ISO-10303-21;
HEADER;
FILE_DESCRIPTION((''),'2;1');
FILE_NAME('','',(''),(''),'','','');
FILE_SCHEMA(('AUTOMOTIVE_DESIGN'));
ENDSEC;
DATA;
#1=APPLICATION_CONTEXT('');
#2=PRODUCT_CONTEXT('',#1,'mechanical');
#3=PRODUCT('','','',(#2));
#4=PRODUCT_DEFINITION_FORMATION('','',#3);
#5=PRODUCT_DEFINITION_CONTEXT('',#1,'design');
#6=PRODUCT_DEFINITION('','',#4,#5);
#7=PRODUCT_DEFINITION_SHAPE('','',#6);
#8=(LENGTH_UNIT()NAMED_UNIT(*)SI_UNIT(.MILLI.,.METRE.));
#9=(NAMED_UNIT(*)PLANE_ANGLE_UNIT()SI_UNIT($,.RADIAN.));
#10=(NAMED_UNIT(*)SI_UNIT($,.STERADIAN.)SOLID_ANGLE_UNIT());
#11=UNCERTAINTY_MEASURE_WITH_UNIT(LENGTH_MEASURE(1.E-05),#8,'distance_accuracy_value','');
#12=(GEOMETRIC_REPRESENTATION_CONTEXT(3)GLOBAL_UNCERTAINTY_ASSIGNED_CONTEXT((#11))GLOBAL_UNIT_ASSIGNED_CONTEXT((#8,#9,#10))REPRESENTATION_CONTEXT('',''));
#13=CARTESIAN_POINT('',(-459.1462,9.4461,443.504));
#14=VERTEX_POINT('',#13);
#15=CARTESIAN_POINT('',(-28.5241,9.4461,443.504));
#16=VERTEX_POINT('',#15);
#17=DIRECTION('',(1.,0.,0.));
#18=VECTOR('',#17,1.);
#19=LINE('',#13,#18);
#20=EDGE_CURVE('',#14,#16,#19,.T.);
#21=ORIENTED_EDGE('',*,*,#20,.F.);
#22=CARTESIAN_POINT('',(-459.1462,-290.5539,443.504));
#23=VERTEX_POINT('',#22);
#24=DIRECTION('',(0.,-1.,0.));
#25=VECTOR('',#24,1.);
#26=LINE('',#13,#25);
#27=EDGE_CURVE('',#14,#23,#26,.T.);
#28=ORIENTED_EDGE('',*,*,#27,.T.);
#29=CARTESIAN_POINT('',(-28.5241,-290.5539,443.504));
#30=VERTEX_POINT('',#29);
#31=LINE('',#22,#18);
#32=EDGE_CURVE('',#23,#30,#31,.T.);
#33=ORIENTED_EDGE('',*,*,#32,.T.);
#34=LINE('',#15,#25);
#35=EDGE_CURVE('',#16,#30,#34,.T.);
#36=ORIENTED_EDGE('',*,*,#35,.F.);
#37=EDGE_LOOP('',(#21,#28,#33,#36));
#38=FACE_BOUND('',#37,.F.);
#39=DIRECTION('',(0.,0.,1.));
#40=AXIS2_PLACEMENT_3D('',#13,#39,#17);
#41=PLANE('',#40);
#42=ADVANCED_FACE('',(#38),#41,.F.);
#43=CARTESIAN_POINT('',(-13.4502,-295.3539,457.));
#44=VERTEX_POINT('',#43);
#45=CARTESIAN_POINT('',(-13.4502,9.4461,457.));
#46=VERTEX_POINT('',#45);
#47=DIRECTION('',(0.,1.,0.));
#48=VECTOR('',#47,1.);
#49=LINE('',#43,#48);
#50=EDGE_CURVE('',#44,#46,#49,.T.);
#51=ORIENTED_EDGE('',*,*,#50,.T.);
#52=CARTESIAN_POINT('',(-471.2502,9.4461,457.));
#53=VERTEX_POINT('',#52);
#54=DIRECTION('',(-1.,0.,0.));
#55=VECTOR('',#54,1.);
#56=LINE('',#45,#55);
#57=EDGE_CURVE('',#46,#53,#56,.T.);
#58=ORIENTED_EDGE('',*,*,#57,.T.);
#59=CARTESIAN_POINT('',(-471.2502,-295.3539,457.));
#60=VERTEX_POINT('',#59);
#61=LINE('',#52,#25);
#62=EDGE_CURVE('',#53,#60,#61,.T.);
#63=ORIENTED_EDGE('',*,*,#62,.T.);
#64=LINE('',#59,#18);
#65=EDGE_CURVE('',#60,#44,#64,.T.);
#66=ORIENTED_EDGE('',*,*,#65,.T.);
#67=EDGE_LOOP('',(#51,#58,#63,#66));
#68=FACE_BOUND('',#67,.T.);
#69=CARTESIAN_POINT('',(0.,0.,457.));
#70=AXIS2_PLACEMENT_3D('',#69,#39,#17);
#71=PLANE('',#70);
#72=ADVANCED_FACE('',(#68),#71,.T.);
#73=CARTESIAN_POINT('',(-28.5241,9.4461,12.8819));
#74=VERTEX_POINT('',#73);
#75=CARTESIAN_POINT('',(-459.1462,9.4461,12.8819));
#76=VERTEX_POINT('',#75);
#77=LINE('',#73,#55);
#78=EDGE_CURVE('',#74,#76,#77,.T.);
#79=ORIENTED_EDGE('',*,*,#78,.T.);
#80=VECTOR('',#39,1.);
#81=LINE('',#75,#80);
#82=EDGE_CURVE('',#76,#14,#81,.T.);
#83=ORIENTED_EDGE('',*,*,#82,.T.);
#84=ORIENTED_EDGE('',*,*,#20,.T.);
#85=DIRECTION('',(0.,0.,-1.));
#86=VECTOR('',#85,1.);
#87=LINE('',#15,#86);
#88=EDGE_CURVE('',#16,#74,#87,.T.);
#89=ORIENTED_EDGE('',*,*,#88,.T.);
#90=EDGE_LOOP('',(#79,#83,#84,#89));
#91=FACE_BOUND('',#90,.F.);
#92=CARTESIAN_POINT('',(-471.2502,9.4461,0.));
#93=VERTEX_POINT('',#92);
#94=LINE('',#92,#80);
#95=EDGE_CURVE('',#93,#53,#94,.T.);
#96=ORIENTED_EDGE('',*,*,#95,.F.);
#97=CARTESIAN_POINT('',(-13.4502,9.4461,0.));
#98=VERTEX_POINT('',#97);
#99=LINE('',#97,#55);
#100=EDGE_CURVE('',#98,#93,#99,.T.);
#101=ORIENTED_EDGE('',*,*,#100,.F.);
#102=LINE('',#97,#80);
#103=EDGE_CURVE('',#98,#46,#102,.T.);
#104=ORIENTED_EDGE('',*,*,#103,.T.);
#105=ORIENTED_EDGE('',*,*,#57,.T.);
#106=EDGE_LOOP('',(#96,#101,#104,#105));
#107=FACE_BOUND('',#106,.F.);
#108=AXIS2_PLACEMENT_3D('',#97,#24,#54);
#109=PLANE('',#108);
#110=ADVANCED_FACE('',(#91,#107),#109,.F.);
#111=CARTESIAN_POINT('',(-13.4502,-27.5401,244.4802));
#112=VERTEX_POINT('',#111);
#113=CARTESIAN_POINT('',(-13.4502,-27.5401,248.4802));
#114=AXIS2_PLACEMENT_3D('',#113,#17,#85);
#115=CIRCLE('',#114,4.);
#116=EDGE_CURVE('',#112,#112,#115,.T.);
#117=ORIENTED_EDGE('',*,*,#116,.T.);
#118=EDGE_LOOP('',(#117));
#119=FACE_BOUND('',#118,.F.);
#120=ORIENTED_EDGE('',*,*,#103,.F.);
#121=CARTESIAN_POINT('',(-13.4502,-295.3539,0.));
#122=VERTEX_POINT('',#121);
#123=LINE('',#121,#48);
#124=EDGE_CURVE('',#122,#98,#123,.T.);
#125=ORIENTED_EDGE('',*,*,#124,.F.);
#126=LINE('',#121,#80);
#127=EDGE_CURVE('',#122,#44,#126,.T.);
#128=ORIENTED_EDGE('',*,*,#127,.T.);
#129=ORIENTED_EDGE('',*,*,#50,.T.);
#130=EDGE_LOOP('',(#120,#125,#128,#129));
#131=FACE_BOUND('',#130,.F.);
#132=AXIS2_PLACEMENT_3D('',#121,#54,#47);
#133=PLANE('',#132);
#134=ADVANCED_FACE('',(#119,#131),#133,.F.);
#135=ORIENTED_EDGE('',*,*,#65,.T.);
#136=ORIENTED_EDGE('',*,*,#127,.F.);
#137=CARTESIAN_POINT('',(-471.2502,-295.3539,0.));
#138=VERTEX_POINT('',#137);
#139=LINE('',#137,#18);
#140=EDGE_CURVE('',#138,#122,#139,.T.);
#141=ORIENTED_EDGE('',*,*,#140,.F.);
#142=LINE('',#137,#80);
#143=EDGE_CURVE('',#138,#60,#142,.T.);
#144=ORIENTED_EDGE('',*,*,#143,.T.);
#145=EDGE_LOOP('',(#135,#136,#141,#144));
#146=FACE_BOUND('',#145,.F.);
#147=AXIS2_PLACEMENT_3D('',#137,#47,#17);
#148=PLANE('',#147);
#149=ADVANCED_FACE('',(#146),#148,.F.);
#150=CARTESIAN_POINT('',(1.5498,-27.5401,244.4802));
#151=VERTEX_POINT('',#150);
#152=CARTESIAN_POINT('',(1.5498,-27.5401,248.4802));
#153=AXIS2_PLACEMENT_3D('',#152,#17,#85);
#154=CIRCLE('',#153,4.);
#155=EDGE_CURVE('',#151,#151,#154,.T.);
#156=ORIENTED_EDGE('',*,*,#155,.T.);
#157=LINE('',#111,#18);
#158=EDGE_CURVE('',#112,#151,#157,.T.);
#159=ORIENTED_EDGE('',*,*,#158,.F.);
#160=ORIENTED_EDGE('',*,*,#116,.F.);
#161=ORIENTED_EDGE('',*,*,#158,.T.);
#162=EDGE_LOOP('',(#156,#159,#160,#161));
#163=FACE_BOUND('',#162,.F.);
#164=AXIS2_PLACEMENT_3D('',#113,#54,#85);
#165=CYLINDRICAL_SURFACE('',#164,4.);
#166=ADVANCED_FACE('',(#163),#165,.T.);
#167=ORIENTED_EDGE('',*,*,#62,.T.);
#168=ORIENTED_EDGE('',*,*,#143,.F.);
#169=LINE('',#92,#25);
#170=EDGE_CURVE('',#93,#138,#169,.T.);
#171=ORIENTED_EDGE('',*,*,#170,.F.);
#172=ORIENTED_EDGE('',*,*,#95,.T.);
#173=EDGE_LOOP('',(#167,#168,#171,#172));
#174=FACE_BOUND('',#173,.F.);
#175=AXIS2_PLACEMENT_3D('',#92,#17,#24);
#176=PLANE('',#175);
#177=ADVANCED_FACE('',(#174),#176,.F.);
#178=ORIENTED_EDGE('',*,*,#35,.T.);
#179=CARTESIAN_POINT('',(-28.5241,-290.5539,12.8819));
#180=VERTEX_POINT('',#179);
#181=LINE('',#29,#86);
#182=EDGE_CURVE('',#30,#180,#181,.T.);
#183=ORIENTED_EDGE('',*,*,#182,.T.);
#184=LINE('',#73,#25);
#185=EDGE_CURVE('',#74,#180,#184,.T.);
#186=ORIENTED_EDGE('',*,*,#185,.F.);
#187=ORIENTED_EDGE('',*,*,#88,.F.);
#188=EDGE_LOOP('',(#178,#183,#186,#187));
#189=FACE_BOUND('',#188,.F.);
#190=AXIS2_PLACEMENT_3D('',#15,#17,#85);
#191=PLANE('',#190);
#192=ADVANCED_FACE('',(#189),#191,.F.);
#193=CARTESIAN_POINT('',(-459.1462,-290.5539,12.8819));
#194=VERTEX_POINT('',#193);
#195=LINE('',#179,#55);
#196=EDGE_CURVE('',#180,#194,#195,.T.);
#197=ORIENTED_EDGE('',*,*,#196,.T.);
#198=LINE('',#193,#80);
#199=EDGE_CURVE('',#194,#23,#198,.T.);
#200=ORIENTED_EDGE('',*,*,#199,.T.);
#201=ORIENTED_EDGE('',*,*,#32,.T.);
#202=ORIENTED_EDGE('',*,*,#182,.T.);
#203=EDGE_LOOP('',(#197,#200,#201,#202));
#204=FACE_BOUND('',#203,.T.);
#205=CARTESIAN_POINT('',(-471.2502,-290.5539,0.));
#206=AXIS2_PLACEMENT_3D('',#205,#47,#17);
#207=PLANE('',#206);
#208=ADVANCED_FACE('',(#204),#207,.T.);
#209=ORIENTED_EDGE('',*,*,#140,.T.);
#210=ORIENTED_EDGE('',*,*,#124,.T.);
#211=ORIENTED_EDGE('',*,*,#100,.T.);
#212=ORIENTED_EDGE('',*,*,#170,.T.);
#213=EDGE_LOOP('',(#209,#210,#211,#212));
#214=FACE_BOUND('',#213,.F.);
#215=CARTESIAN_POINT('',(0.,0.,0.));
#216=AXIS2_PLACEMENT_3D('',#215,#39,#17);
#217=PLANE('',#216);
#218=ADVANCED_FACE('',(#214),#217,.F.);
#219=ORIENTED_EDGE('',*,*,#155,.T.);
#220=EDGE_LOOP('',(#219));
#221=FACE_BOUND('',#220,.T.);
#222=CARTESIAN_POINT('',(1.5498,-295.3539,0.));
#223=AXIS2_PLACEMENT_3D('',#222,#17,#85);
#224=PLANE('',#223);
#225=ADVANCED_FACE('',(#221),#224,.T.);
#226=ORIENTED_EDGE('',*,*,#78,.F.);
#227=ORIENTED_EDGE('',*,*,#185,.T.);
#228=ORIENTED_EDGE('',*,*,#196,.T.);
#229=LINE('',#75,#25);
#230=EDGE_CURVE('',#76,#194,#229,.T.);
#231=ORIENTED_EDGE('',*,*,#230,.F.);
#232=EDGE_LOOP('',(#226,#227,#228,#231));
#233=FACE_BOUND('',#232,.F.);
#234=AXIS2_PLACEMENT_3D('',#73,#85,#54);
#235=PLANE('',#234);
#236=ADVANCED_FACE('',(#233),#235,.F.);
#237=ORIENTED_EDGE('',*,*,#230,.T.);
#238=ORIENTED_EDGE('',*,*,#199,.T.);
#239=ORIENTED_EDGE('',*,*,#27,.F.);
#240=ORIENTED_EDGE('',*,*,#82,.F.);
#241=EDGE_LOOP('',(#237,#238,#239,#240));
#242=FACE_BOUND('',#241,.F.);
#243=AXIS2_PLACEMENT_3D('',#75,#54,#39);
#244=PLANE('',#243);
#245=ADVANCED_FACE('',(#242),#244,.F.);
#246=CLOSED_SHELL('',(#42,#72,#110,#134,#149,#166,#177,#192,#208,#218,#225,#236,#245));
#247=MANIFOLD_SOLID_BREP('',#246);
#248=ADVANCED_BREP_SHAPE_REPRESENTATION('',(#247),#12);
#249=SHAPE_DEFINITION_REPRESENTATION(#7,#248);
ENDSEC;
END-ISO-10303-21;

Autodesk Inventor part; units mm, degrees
ref_plane "YZ Plane" through (0, 0, 0) normal (1, 0, 0) x (0, 1, 0)
ref_plane "XZ Plane" through (0, 0, 0) normal (0, 1, 0) x (-1, 0, 0)
ref_plane "XY Plane" through (0, 0, 0) normal (0, 0, 1) x (1, 0, 0)
sketch "Sketch1" plane through (0, 0, 0) normal (0, 0, 1) x (1, 0, 0)
  line L0 (-13.4502, 9.4461) -> (-471.2502, 9.4461)
  line L1 (-471.2502, 9.4461) -> (-471.2502, -295.3539)
  line L2 (-471.2502, -295.3539) -> (-13.4502, -295.3539)
  line L3 (-13.4502, -295.3539) -> (-13.4502, 9.4461)
  point P0 (0, 0)
  dimension "d0" = 457.8
  dimension "d1" = 304.8
extrude "Extrusion1" add sketch "Sketch1" along normal blind 457
sketch "Sketch2" plane through (-471.2502, 9.4461, 0) normal (0, 1, 0) x (1, 0, 0)
  line L0 (12.104, -443.504) -> (442.7261, -443.504)
  line L1 (442.7261, -443.504) -> (442.7261, -12.8819)
  line L2 (442.7261, -12.8819) -> (12.104, -12.8819)
  line L3 (12.104, -12.8819) -> (12.104, -443.504)
  point P0 (471.2502, 0)
extrude "Extrusion2" cut sketch "Sketch2" against normal blind 300
sketch "Sketch3" plane through (-13.4502, -295.3539, 0) normal (1, 0, 0) x (0, 0, -1)
  circle A0 centre (-248.4802, 267.8138) radius 4
  point P0 (0, 295.3539)
  dimension "d6" = 8
extrude "Extrusion3" add sketch "Sketch3" along normal blind 15
properties part number "outerbox"
